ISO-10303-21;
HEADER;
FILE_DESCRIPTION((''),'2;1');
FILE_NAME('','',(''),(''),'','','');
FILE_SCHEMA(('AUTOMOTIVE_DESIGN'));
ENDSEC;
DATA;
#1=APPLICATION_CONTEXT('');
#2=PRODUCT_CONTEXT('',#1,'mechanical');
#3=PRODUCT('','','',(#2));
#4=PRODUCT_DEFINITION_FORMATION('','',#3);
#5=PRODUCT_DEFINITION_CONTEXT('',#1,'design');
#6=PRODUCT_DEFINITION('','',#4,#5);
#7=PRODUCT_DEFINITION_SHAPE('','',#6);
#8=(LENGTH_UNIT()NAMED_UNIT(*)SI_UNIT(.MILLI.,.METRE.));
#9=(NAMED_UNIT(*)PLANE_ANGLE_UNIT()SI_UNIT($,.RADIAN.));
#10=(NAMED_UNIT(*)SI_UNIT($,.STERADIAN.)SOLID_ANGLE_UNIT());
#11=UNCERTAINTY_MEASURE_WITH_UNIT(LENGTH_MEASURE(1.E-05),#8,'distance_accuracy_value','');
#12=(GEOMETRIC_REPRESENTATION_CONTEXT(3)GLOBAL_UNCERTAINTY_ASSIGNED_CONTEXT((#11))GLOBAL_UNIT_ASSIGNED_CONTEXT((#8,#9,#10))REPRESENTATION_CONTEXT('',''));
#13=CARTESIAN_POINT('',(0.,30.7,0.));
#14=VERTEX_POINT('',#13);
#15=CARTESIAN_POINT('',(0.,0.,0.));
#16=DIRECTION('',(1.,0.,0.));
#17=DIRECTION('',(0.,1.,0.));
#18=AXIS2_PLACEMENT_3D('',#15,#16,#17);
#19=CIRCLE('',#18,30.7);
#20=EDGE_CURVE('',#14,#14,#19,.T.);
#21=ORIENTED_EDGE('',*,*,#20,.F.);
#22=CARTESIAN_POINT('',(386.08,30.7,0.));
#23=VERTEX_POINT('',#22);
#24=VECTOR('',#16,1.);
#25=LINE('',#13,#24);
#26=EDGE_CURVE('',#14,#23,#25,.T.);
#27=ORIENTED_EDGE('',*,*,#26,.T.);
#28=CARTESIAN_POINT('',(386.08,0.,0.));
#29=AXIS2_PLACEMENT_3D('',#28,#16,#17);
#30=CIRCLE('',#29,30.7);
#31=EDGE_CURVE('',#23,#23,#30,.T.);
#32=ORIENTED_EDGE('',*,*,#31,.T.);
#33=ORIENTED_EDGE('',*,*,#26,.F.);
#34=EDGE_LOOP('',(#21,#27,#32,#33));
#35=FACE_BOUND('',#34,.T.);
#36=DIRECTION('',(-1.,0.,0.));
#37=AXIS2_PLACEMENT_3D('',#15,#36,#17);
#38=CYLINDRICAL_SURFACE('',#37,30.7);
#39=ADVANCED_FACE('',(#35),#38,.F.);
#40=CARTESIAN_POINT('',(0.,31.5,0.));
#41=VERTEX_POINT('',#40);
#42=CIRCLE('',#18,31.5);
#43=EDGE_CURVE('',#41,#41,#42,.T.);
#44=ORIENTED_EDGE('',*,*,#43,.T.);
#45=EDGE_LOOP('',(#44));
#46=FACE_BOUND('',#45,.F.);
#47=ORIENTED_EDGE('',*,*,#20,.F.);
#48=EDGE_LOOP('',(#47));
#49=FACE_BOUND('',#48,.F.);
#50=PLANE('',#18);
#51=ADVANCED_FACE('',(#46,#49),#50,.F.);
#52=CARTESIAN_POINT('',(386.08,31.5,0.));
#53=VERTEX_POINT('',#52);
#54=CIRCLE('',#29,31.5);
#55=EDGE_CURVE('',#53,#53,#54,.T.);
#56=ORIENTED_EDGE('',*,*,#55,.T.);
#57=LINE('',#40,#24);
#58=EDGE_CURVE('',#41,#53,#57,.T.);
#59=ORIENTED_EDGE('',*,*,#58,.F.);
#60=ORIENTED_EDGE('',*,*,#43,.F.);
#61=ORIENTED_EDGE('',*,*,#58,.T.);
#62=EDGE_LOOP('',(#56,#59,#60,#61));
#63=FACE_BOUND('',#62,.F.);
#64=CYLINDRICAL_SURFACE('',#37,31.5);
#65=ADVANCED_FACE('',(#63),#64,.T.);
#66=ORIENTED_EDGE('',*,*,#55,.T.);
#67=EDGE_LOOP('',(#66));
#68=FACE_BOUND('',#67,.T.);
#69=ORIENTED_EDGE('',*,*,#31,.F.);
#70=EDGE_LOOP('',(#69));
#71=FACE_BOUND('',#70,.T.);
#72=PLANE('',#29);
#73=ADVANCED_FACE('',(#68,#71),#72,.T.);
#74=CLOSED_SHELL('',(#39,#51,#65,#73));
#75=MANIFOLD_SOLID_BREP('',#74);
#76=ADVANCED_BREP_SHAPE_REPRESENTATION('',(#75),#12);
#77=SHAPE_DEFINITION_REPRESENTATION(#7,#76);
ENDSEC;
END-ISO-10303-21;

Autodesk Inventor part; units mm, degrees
ref_plane "YZ Plane" through (0, 0, 0) normal (1, 0, 0) x (0, 1, 0)
ref_plane "XZ Plane" through (0, 0, 0) normal (0, 1, 0) x (-1, 0, 0)
ref_plane "XY Plane" through (0, 0, 0) normal (0, 0, 1) x (1, 0, 0)
sketch "Sketch1" plane through (0, 0, 0) normal (1, 0, 0) x (0, 1, 0)
  circle A0 centre (0, 0) radius 31.5
  circle A1 centre (0, 0) radius 30.7
  dimension "d0" = 63
  dimension "d1" = 0.8
extrude "Extrusion1" add sketch "Sketch1" along normal blind 386.08
equation "\"d0\" = OD"
equation "\"d1\" = t"
equation "\"d2\" = L"
equation "\"OD\" = 63"
equation "\"t\" = 0.8"
equation "\"L\" = PL"
equation "\"ID\" = 61.4"
equation "\"PL\" = 386.08"
properties part number "ISO 4065 Pipe DN63x0.8xS40 - 386.08000000" material "PVC-Piping"
